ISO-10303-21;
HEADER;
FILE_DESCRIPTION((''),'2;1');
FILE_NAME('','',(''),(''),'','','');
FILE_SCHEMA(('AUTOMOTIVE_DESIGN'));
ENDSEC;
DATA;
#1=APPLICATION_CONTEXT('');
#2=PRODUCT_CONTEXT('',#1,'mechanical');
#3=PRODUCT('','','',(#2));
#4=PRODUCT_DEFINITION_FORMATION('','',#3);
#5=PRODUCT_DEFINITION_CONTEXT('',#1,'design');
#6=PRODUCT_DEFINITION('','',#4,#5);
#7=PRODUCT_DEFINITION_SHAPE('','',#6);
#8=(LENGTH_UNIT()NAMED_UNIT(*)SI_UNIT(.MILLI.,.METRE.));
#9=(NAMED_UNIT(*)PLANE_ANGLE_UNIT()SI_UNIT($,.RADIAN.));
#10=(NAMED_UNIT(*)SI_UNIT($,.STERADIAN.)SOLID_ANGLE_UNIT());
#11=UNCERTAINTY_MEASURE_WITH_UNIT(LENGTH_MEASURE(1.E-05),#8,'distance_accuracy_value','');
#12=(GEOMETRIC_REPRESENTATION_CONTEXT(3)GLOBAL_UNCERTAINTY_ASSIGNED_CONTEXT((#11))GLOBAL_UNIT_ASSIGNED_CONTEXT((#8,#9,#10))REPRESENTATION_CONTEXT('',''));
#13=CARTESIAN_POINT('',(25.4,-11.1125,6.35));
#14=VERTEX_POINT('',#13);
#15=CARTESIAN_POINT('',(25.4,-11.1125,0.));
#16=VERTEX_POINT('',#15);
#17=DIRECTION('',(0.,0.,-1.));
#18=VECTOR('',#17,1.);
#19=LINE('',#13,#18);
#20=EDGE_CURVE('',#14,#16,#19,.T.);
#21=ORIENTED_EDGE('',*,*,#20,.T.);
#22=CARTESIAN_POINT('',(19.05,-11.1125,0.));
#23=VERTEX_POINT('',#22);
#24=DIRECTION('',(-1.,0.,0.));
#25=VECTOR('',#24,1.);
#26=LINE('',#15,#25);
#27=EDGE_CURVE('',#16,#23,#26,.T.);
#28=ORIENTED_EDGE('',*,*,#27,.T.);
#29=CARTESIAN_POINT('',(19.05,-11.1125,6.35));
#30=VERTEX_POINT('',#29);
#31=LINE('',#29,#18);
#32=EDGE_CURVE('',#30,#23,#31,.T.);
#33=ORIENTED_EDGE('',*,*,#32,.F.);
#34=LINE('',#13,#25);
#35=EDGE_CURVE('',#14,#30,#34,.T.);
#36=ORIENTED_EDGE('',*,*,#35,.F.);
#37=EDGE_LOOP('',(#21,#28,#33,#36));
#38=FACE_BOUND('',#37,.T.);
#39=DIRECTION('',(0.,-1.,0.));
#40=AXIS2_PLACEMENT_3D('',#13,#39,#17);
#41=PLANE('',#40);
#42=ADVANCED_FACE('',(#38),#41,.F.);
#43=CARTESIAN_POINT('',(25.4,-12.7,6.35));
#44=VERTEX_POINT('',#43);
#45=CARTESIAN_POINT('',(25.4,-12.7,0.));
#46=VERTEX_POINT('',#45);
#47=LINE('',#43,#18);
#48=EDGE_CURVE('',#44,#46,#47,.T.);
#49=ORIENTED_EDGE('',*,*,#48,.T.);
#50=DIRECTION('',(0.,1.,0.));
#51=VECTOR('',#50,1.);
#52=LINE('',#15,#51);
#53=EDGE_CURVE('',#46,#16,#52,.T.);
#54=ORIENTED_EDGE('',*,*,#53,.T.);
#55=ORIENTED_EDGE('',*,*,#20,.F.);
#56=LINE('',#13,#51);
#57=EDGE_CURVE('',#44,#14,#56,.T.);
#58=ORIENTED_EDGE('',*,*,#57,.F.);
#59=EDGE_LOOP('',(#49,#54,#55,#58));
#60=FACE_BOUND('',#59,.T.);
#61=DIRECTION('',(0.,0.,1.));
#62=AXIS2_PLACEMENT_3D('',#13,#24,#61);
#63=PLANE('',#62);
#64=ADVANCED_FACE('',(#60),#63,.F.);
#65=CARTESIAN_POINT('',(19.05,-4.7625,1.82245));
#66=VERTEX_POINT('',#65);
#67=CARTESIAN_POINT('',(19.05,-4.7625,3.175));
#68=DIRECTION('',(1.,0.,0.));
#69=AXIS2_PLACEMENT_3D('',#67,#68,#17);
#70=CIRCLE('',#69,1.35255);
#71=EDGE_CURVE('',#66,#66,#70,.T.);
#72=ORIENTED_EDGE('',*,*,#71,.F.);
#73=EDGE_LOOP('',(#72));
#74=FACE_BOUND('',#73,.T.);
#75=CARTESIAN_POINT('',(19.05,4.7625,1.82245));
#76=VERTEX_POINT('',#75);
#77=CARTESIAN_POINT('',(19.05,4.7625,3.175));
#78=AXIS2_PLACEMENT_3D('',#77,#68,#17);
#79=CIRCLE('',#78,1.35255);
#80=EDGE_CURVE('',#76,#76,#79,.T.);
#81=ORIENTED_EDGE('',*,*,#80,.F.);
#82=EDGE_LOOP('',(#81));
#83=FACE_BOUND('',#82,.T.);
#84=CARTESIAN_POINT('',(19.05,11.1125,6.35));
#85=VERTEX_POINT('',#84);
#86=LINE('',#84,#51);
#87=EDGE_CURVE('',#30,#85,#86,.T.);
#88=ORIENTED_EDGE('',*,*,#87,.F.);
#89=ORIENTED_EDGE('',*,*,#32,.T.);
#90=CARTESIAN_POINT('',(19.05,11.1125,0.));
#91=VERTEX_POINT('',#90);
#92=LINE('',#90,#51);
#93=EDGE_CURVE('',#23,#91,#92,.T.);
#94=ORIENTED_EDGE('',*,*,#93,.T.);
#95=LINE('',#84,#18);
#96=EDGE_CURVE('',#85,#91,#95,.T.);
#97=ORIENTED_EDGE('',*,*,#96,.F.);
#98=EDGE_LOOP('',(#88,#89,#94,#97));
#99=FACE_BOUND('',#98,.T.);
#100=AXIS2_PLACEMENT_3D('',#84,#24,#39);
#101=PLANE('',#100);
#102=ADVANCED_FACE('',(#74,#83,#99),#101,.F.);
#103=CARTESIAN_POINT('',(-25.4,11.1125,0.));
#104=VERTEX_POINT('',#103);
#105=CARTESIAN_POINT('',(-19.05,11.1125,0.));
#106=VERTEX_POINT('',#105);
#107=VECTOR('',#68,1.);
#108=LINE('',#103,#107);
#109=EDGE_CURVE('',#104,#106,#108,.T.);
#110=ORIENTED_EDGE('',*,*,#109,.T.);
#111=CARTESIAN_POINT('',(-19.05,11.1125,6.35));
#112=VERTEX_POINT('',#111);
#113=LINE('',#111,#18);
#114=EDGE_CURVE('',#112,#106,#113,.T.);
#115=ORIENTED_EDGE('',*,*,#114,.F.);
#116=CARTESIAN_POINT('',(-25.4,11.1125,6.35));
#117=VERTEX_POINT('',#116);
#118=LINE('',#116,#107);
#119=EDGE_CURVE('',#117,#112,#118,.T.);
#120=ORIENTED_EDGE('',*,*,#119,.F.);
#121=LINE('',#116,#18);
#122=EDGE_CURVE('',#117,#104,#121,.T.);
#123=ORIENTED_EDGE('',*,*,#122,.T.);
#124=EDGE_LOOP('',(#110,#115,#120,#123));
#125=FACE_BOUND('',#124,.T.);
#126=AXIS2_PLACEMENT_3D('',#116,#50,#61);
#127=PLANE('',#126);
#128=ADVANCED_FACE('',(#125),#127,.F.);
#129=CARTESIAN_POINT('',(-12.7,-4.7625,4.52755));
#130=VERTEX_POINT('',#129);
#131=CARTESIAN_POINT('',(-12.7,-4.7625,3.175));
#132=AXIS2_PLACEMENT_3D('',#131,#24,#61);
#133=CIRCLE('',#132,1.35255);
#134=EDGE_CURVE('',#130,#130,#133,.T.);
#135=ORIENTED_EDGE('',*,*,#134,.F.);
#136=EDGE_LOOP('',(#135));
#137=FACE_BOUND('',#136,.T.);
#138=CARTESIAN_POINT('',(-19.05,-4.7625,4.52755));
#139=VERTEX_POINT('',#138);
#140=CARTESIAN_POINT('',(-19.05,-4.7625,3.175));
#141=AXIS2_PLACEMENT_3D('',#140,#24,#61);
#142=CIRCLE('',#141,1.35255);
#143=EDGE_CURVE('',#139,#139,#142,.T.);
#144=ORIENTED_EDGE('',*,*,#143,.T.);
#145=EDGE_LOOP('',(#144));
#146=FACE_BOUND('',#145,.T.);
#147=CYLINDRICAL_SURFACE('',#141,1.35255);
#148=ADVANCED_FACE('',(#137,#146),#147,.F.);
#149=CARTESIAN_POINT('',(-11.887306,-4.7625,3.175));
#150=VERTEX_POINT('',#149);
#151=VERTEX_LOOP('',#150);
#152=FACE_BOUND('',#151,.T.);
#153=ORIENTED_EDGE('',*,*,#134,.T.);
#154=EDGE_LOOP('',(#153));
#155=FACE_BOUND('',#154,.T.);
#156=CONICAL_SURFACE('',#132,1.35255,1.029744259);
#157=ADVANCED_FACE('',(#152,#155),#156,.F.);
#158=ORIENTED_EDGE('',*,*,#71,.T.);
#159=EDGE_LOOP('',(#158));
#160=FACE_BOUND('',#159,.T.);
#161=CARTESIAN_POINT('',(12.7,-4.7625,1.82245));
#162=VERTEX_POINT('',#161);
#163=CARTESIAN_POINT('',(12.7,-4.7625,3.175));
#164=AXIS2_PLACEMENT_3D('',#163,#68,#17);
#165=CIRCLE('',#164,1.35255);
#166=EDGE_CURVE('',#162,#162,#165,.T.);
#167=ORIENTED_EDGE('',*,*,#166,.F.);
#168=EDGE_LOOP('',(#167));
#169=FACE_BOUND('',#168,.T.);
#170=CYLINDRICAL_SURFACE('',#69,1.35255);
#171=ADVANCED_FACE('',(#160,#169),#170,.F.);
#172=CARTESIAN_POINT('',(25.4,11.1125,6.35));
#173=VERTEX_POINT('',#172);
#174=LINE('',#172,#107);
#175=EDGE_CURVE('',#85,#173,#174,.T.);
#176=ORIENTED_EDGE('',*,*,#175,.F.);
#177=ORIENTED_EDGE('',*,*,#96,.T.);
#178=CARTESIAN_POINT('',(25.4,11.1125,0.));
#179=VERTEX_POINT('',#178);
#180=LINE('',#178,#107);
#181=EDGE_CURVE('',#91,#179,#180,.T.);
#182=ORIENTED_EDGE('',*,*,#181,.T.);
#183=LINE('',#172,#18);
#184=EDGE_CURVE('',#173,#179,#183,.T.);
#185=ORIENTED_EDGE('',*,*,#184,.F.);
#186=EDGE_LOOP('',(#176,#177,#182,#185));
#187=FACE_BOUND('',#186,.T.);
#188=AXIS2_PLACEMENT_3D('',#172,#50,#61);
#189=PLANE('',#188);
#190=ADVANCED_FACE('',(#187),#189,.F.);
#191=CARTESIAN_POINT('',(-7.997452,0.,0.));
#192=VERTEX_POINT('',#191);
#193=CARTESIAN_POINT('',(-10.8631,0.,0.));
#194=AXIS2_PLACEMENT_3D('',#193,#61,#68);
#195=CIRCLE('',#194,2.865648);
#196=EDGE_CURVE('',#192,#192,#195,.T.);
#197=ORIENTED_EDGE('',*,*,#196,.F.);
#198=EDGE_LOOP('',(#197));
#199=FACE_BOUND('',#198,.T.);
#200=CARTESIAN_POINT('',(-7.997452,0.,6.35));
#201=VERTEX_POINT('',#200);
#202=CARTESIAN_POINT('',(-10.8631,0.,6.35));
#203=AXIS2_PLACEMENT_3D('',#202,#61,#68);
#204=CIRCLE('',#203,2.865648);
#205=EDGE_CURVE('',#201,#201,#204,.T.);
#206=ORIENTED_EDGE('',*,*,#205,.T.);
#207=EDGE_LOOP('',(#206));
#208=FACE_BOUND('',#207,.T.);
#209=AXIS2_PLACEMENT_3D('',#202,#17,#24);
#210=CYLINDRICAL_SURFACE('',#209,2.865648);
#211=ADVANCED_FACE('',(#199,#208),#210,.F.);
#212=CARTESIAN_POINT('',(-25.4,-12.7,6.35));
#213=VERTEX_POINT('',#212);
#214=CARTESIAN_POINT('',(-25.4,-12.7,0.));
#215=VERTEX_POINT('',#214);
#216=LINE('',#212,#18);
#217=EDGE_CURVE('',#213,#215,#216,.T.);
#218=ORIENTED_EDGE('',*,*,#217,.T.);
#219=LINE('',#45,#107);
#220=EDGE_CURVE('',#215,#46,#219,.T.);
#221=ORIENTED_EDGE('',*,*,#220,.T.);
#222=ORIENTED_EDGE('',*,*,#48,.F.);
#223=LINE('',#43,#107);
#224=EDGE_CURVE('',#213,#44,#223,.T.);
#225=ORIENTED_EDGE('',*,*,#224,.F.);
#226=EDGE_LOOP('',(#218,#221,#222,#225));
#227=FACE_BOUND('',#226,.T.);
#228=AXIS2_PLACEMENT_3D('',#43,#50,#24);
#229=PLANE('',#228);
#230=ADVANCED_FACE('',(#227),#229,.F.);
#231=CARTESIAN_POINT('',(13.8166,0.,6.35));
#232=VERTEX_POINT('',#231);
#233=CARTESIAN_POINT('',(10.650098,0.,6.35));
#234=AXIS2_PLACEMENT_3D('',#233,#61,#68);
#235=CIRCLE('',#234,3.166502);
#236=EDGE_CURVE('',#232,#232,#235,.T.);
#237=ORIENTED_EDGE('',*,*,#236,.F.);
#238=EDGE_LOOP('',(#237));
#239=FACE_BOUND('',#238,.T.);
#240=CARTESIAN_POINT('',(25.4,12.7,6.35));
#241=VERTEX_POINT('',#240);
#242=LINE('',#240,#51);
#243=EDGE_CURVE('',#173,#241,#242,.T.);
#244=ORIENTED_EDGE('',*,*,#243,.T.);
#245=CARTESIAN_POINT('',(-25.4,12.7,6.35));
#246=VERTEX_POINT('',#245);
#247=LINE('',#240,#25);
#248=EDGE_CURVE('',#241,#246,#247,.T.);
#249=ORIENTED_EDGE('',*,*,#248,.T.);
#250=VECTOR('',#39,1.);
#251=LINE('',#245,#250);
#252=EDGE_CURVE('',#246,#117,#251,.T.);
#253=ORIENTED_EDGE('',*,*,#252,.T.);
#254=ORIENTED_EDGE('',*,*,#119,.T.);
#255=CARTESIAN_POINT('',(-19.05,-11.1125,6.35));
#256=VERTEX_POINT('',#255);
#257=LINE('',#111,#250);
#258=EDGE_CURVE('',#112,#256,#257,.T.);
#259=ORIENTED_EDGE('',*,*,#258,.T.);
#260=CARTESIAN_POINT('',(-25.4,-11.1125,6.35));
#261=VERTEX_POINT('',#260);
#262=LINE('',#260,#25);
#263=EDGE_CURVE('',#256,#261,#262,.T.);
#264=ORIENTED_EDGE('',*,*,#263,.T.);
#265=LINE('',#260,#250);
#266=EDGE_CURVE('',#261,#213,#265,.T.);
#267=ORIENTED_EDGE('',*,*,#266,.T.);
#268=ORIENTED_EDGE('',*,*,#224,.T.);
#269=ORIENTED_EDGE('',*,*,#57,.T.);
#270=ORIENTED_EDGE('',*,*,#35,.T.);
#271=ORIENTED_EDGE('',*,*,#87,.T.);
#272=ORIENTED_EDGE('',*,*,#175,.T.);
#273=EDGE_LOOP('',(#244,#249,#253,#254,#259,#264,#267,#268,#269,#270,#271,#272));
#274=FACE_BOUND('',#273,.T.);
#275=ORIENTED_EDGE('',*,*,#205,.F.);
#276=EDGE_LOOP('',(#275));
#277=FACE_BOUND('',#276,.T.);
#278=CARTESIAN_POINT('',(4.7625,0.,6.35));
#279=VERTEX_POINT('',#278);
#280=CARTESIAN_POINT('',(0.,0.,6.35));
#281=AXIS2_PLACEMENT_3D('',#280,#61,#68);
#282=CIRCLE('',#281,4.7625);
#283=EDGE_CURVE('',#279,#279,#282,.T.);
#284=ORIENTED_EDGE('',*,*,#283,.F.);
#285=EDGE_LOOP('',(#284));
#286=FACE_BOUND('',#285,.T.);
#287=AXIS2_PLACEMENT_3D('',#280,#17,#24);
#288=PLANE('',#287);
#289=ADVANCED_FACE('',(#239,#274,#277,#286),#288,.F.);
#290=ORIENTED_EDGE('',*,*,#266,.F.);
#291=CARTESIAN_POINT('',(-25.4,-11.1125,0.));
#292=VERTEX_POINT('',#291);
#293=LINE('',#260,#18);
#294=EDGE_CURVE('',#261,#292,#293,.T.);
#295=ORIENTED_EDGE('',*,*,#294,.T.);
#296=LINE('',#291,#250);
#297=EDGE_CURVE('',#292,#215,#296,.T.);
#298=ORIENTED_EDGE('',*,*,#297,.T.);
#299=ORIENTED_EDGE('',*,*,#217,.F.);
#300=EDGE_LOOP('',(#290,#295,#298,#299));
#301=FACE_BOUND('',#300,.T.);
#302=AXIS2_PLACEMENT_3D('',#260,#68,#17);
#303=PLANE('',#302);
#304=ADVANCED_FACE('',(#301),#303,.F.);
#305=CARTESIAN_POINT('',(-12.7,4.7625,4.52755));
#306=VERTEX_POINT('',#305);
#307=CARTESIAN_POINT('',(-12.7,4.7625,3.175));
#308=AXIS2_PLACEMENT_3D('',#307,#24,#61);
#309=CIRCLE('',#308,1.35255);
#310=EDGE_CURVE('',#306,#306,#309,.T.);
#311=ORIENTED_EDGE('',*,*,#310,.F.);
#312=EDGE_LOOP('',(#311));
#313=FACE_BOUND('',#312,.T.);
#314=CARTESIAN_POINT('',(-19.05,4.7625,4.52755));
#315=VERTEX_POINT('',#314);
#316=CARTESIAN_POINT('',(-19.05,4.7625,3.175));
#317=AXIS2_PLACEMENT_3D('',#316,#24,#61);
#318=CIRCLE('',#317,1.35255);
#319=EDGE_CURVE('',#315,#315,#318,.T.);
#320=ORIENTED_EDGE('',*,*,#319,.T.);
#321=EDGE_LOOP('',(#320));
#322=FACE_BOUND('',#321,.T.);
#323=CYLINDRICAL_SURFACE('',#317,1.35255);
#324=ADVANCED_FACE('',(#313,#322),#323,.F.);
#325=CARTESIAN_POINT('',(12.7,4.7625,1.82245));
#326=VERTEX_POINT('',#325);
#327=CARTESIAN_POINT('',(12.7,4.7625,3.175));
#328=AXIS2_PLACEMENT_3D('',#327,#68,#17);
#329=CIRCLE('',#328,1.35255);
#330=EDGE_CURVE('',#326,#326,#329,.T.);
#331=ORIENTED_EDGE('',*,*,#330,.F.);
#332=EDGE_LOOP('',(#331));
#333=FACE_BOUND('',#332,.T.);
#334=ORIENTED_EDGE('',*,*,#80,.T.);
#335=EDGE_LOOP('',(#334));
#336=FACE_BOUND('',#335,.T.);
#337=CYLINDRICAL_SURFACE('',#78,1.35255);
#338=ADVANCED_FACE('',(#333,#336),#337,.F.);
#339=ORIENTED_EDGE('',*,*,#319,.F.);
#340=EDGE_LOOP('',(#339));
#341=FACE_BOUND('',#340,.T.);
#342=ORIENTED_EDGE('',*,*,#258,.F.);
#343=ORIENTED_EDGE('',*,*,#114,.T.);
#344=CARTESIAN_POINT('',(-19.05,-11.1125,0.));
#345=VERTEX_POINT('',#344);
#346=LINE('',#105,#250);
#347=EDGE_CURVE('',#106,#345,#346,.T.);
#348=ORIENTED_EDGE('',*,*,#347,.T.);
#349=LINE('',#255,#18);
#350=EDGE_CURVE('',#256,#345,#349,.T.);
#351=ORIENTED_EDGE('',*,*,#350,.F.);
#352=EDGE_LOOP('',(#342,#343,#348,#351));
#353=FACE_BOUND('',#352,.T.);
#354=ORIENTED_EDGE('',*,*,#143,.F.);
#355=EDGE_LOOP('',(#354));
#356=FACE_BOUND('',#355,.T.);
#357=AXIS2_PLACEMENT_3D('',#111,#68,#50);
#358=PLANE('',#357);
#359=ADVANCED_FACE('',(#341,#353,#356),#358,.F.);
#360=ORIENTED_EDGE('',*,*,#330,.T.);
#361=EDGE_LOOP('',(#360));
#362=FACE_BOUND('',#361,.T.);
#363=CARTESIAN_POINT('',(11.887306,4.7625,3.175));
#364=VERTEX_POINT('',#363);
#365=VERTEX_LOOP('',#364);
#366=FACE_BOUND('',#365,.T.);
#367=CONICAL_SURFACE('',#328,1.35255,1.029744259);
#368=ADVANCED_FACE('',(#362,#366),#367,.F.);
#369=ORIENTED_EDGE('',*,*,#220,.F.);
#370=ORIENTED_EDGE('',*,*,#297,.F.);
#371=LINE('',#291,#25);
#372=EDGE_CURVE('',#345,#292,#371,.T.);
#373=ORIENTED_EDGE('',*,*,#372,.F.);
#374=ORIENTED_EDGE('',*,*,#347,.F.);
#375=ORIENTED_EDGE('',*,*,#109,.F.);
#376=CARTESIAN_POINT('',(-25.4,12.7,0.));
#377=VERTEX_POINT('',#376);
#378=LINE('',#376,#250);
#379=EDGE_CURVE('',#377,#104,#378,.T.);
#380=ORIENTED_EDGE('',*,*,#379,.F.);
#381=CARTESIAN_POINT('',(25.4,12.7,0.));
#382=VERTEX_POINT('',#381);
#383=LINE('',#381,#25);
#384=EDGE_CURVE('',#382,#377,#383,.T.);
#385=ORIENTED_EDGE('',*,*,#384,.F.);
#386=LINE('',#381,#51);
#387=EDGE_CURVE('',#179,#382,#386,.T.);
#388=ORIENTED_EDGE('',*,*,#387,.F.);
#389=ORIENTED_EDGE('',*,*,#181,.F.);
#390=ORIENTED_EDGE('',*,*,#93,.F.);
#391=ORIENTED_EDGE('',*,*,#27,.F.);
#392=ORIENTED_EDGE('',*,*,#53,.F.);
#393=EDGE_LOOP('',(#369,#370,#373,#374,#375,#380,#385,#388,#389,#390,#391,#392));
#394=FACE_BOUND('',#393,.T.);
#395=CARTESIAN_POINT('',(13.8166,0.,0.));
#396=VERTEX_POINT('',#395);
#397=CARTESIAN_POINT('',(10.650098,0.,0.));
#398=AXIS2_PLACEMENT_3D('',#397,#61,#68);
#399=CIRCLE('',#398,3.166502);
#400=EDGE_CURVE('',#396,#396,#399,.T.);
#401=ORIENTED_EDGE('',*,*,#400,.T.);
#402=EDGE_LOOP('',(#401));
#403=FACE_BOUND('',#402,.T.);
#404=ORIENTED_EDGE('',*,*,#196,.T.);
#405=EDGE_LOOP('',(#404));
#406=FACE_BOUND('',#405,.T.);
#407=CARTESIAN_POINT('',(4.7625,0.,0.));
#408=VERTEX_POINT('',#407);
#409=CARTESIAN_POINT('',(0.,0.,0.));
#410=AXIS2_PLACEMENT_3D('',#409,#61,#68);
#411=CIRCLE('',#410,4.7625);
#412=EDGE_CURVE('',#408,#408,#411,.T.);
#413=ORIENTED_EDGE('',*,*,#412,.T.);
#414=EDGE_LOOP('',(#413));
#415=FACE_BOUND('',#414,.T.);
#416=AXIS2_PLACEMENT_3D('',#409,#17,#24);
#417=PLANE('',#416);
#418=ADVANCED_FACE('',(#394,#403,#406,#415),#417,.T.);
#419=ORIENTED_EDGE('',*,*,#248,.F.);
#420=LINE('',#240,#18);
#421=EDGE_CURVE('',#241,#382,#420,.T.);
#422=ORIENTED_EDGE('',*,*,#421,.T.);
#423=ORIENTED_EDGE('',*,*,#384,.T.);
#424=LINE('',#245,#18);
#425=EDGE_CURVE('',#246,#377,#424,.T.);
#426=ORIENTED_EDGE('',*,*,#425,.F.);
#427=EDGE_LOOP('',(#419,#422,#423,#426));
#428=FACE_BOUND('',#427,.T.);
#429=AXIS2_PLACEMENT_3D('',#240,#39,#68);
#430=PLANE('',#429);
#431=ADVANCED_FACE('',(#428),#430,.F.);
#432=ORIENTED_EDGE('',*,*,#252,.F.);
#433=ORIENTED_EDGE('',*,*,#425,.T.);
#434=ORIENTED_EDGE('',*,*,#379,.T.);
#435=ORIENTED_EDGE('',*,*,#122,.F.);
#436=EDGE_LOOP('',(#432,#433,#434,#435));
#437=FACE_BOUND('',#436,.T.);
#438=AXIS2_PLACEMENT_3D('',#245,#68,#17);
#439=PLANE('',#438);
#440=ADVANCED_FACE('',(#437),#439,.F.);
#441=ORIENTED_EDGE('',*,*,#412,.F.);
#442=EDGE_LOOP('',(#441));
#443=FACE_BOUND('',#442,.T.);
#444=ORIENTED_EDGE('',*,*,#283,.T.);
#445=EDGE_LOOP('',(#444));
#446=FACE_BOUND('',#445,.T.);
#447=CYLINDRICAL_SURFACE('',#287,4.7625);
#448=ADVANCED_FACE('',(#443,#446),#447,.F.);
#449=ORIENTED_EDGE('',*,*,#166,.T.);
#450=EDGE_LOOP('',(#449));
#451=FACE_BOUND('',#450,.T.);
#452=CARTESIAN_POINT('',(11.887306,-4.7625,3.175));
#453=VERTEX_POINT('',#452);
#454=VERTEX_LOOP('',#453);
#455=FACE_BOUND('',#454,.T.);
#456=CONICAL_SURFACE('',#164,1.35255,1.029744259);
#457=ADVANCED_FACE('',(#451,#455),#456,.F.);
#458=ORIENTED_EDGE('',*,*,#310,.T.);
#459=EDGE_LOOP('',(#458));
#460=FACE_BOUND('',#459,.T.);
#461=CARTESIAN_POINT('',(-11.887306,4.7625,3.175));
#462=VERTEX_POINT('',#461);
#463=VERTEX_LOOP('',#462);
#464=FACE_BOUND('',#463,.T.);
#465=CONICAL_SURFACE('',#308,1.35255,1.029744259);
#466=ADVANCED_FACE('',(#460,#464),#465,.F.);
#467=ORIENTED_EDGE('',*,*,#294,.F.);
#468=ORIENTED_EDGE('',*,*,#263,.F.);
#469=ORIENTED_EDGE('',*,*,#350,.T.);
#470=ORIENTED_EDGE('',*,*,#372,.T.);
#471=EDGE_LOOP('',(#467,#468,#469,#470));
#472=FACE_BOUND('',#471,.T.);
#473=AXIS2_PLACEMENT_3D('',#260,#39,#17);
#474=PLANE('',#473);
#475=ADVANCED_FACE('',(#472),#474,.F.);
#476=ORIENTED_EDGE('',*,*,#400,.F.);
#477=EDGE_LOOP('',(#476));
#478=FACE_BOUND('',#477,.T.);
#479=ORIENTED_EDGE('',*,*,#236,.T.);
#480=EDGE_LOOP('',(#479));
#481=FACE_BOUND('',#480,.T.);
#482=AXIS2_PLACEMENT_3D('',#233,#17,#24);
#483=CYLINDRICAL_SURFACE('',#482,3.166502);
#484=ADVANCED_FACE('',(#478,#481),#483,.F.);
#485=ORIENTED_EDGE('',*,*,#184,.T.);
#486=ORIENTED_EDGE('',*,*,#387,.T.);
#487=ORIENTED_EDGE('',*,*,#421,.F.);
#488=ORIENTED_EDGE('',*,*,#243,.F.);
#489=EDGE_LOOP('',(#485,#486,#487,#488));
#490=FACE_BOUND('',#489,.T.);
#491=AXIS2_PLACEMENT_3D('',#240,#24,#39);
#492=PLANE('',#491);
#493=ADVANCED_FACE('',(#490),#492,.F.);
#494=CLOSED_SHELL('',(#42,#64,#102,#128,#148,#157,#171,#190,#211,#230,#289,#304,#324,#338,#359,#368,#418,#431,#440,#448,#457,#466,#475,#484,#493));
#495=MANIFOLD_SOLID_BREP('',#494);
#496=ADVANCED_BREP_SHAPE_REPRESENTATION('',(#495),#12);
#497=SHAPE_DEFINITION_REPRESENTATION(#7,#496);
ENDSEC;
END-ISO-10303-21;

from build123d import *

# Parameters (mm, degrees)
SKETCH1_R                          = 4.7625
SKETCH1_R_2                        = 2.86564839
SKETCH1_R_3                        = 3.16650189
BOSS_EXTRUDE1_DEPTH                = 6.35
TAP_DRILL_FOR_6_32_TAP1_AT_2_COUNT = 2
TAP_DRILL_FOR_6_32_TAP1_AT_2_PITCH = 9.525


with BuildPart() as part:
    # Sketch1 → Boss-Extrude1 (new body)
    with BuildSketch(Plane.XY):
        Polygon((25.4, -11.1125), (25.4, -12.7), (-25.4, -12.7), (-25.4, -11.1125), (-19.05, -11.1125), (-19.05, 11.1125), (-25.4, 11.1125), (-25.4, 12.7), (25.4, 12.7), (25.4, 11.1125), (19.05, 11.1125), (19.05, -11.1125), align=None)
        Circle(SKETCH1_R, mode=Mode.SUBTRACT)
        with Locations((-10.863100334, 0)):
            Circle(SKETCH1_R_2, mode=Mode.SUBTRACT)
        with Locations((10.650098366, 0)):
            Circle(SKETCH1_R_3, mode=Mode.SUBTRACT)
    extrude(amount=BOSS_EXTRUDE1_DEPTH)

    # Sketch4 → Tap Drill for #6-32 Tap1 (revolve, cut)
    with BuildSketch(Plane(origin=(19.05, 4.7625, 3.175), x_dir=(0, 0, -1), z_dir=(0, 1, 0))):
        Polygon((0, 0), (0, 7.16269403), (1.35255, 6.35), (1.35255, 0), align=None)
    tap_drill_for_6_32_tap1 = revolve(axis=Axis((25.4, 4.7625, 3.175), (-1, 0, 0)), mode=Mode.SUBTRACT)

    # Tap Drill for #6-32 Tap1 at 2: Tap Drill for #6-32 Tap1 ×2
    with Locations(*[(0, -i * TAP_DRILL_FOR_6_32_TAP1_AT_2_PITCH, 0) for i in range(1, TAP_DRILL_FOR_6_32_TAP1_AT_2_COUNT)]):
        add(tap_drill_for_6_32_tap1, mode=Mode.SUBTRACT)

    # Mirror1: Tap Drill for #6-32 Tap1 across plane
    add(tap_drill_for_6_32_tap1.mirror(Plane.ZY), mode=Mode.SUBTRACT)

    # Mirror1 copy 1 sketch → Mirror1 copy 1 (revolve, cut)
    with BuildSketch(Plane(origin=(-19.05, -4.7625, 3.175), x_dir=(0, 0, -1), z_dir=(0, 1, 0))):
        Polygon((0, 0), (0, -7.16269403), (1.35255, -6.35), (1.35255, 0), align=None)
    revolve(axis=Axis((-25.4, -4.7625, 3.175), (-1, 0, 0)), mode=Mode.SUBTRACT)


solid = part.part
